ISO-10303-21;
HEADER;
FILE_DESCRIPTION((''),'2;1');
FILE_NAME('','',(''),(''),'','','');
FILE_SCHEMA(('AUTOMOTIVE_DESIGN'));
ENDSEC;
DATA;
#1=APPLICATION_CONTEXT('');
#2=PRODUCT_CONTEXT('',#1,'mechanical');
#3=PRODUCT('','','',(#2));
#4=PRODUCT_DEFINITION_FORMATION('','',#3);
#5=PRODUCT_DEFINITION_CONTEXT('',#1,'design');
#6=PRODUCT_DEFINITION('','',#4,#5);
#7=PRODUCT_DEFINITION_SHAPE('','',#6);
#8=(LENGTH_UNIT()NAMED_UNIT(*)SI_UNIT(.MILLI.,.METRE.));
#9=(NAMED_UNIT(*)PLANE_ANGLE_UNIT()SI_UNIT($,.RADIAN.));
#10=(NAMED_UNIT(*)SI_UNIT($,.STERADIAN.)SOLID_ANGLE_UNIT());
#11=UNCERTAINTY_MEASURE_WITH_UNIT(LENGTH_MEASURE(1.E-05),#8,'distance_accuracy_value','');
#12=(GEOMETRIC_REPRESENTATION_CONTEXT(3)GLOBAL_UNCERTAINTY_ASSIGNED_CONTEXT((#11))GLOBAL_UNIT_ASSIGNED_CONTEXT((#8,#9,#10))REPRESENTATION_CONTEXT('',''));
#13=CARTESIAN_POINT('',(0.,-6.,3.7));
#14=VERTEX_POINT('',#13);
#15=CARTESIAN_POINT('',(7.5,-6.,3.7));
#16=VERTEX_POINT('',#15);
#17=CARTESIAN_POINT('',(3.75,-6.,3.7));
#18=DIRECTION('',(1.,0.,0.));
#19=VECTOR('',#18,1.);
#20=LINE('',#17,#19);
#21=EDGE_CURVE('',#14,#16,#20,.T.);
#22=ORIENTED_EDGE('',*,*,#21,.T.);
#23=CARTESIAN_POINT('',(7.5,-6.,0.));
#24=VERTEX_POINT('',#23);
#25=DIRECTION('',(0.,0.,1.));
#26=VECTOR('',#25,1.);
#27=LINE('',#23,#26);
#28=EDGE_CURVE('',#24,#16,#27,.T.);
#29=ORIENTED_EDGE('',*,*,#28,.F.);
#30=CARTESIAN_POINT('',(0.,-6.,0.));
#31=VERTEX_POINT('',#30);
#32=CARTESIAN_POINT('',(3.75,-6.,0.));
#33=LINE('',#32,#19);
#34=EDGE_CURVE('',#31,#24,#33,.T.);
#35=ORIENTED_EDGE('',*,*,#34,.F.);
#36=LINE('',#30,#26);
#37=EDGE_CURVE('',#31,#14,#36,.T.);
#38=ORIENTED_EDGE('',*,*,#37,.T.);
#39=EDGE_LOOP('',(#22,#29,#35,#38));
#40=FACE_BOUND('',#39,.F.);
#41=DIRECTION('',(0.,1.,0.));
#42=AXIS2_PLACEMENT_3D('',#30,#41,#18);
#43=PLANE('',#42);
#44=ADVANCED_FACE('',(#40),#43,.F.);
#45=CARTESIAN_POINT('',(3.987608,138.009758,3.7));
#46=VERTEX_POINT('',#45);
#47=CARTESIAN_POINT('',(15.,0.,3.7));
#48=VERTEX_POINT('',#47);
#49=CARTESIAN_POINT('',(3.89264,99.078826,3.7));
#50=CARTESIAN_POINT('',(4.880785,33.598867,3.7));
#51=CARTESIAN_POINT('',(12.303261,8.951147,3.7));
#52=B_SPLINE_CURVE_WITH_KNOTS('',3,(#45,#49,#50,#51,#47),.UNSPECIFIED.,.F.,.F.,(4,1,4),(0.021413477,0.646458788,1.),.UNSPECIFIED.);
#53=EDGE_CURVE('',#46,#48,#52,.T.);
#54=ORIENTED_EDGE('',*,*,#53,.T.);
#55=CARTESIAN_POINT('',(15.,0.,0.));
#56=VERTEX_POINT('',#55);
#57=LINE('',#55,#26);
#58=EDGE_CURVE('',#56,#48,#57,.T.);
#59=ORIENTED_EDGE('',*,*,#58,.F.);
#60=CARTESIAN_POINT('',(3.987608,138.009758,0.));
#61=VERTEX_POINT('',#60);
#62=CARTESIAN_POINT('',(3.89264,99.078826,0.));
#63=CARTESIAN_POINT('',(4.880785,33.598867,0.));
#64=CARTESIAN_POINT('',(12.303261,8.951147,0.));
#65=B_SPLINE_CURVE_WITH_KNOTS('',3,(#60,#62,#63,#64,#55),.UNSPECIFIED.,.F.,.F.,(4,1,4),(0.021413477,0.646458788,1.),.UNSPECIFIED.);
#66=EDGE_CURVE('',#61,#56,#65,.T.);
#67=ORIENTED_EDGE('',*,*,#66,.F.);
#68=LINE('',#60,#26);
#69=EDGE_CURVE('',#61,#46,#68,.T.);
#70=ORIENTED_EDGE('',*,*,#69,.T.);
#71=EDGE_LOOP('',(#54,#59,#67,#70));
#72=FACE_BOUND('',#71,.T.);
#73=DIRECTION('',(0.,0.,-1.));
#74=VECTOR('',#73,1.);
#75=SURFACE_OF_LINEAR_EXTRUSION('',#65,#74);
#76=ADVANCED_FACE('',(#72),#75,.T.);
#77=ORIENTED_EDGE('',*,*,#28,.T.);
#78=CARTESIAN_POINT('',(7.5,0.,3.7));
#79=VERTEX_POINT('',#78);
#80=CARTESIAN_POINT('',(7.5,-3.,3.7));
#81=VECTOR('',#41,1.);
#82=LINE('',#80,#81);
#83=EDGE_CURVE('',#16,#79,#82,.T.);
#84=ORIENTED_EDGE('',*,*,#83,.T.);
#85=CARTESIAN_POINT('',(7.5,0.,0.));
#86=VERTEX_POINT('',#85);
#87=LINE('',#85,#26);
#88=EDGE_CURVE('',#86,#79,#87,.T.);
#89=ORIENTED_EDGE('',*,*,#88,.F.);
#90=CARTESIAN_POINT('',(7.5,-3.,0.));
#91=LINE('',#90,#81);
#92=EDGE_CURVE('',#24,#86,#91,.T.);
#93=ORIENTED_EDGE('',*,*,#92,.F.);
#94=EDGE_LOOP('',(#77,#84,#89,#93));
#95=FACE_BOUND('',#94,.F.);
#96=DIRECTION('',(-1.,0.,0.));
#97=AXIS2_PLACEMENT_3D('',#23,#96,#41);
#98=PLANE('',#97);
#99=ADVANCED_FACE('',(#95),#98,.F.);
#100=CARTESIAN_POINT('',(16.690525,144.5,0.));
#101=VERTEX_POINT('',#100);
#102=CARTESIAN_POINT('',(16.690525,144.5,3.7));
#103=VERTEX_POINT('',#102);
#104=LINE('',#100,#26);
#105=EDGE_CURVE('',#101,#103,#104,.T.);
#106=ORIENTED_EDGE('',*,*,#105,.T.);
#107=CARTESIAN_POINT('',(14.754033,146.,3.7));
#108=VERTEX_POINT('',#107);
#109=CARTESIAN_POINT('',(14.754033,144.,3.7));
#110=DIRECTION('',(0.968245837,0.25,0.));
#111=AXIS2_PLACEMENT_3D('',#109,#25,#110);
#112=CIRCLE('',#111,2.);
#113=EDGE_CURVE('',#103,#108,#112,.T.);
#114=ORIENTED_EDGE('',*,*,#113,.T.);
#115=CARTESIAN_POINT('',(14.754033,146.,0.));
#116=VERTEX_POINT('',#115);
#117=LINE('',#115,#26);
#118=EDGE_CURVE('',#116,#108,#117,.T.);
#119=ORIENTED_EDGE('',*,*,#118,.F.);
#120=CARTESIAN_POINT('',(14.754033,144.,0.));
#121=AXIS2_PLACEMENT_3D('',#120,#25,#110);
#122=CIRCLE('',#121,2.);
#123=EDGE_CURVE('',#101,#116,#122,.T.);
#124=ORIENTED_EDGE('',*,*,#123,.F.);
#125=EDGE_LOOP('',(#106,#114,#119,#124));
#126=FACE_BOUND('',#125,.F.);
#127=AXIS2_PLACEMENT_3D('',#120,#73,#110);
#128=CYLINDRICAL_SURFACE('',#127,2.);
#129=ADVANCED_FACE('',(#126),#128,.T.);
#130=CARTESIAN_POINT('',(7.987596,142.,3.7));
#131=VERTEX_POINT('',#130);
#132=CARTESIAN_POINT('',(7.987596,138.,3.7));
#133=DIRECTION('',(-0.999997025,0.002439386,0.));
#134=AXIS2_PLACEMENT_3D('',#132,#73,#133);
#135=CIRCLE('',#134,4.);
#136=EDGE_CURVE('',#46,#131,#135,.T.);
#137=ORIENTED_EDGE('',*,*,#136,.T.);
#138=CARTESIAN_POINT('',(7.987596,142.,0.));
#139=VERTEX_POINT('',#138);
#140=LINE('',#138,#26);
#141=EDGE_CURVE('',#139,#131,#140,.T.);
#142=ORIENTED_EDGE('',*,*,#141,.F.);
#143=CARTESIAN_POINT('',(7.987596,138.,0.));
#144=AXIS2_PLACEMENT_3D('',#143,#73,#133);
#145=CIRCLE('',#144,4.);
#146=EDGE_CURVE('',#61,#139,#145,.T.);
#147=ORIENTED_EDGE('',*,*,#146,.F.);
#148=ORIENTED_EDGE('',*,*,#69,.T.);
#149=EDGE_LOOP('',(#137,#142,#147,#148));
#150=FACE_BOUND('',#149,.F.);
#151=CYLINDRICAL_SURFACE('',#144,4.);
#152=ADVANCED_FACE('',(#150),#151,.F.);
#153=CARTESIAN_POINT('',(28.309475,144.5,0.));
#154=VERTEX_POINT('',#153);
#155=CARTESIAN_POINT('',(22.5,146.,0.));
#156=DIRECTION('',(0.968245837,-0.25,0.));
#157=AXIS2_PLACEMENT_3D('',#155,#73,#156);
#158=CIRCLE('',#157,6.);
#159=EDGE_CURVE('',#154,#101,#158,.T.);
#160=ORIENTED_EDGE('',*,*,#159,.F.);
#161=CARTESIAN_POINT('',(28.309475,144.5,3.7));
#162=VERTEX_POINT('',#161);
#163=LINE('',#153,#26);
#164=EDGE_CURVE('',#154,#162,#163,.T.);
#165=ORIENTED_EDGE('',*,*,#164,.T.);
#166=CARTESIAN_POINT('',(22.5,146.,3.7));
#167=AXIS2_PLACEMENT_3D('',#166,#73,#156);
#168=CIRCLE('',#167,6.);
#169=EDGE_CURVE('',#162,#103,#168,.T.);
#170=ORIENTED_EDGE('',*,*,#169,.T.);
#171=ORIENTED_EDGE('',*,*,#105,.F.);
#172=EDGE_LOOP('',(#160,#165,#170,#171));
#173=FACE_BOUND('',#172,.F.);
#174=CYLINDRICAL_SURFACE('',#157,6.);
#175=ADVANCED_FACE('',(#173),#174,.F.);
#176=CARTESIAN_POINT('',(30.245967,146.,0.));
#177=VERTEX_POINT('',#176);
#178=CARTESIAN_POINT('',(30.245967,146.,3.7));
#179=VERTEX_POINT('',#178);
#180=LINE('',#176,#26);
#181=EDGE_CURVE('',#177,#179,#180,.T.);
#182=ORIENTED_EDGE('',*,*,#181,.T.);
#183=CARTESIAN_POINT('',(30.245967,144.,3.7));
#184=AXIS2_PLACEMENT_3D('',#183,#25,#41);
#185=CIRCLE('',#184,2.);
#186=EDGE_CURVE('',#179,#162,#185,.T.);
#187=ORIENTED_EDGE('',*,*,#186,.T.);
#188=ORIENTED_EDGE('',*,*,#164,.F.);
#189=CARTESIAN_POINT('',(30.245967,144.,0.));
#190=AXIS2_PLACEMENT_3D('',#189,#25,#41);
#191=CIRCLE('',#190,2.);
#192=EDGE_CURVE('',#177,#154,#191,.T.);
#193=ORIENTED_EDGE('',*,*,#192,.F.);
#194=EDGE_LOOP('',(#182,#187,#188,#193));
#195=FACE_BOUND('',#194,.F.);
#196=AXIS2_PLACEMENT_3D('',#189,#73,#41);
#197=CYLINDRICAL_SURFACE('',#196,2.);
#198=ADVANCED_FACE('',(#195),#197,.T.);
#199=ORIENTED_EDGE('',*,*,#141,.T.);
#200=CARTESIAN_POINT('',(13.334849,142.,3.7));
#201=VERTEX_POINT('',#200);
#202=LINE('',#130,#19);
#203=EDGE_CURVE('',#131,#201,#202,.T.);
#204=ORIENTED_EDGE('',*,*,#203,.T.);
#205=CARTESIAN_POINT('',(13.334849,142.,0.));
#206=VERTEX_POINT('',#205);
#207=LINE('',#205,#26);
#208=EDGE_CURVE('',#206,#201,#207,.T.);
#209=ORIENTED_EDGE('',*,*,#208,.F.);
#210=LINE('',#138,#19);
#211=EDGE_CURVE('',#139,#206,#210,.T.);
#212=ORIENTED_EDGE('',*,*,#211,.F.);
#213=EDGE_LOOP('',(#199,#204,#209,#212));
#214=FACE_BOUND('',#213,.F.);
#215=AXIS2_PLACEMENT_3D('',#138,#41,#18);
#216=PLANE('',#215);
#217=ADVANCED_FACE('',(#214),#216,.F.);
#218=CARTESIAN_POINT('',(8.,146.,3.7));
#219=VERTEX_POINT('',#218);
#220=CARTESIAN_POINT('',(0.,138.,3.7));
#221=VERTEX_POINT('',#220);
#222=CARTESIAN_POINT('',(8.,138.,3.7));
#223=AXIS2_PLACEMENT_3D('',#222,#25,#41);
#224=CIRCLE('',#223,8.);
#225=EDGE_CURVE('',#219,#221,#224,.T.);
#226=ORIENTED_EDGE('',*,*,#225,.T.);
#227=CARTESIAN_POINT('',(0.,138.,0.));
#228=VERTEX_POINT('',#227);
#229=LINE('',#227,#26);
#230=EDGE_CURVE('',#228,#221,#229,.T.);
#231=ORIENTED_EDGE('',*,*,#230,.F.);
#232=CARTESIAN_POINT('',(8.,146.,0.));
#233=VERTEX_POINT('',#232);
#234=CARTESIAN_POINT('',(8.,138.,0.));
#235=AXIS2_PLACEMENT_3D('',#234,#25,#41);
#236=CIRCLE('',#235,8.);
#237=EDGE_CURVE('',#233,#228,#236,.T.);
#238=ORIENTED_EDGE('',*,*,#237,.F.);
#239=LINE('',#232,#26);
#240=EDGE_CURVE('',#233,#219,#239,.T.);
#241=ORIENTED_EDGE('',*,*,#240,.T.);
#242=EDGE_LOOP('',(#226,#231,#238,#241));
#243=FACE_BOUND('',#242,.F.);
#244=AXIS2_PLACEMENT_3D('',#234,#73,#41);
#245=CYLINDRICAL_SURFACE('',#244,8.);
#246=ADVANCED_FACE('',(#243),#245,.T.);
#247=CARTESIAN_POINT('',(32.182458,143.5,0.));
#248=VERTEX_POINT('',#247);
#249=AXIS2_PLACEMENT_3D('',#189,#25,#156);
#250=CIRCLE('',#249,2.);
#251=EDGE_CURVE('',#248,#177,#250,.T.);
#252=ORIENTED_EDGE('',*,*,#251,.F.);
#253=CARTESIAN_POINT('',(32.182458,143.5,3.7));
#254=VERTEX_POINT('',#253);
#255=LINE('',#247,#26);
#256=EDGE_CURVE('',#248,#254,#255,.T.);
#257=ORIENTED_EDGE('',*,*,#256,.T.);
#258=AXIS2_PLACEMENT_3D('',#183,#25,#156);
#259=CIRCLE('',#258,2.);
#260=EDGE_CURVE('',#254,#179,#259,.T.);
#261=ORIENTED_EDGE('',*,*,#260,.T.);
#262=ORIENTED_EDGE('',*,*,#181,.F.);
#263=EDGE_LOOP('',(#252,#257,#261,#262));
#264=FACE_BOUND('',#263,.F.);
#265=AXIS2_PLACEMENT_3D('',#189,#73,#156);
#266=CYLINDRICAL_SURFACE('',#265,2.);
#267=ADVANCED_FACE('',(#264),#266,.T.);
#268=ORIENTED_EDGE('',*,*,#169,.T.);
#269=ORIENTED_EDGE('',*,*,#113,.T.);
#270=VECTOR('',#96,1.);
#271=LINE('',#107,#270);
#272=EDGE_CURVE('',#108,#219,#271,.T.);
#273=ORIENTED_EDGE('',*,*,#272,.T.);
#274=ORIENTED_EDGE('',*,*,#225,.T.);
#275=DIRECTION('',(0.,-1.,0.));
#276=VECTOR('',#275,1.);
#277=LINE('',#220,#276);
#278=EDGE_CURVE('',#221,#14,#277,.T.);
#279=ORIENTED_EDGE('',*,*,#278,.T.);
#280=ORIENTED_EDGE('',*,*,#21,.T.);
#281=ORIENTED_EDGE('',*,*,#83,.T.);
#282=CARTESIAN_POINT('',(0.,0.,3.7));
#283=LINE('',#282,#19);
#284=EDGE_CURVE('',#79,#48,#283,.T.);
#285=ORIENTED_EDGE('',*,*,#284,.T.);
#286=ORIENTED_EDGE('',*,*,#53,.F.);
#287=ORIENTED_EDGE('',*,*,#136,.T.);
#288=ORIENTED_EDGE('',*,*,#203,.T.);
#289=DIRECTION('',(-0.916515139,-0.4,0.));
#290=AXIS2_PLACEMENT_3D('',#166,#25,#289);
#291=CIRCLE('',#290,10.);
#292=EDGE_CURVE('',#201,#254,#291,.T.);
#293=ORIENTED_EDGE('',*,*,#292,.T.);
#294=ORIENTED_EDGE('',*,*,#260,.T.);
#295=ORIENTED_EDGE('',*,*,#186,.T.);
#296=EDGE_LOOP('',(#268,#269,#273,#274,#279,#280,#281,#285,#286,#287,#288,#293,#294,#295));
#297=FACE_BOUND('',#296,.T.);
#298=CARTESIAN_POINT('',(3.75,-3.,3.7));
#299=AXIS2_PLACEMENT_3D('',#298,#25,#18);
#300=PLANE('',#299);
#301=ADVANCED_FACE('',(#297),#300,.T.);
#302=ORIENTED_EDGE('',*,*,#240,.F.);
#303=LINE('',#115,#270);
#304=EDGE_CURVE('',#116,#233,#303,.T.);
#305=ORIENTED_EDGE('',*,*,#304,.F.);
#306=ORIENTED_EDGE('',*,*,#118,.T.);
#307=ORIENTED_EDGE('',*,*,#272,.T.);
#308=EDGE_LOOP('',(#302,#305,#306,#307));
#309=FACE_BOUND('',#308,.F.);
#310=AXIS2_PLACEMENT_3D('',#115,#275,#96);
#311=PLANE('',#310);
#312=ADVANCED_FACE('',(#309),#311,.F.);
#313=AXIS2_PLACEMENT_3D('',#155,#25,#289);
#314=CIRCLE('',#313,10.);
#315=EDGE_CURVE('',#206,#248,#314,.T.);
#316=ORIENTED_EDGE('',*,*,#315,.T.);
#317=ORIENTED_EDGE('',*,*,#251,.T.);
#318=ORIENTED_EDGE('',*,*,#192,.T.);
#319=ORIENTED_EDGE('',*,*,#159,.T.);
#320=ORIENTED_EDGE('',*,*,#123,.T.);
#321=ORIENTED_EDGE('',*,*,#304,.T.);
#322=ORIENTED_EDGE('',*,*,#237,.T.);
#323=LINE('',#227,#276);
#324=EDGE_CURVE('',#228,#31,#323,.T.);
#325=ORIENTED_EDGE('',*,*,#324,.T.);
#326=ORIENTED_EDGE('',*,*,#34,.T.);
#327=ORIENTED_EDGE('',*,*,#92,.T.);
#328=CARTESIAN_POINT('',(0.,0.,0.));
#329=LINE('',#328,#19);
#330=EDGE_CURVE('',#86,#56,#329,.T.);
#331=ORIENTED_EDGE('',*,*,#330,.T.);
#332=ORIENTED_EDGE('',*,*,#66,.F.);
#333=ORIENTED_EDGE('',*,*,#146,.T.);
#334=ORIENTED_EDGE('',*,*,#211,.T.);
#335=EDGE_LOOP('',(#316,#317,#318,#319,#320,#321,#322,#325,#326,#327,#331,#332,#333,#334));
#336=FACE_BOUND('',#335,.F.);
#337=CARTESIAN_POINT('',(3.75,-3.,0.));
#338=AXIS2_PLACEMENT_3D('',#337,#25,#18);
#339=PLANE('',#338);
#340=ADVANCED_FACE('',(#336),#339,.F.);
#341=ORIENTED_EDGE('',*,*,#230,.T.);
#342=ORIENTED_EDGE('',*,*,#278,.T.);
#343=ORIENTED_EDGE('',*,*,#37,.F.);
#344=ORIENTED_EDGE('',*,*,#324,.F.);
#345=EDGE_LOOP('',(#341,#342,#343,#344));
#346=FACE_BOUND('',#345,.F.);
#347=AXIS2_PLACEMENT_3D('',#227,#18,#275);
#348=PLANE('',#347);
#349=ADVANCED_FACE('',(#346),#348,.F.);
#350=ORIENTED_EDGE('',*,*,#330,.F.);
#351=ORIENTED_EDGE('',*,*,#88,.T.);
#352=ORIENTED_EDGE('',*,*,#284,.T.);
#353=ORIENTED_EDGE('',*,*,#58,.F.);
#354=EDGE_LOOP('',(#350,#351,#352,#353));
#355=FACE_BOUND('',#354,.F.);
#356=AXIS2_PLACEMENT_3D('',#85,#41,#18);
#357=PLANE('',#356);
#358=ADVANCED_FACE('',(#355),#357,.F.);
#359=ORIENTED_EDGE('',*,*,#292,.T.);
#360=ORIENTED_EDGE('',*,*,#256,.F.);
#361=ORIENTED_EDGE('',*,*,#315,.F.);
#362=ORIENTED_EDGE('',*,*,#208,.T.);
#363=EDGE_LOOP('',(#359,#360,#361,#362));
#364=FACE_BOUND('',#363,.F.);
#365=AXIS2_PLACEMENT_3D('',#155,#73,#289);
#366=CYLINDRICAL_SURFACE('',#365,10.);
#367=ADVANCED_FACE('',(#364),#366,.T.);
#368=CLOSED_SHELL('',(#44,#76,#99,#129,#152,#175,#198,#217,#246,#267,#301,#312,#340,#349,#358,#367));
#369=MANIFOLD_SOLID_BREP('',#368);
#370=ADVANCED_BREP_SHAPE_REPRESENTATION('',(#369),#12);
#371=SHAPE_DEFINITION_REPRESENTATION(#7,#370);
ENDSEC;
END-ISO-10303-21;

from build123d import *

# Parameters (mm, degrees)
F0_W     = 7.5
F0_H     = 6
F1_DEPTH = 3.7


with BuildPart() as f1:
    # F0 (on Top) → F1 (new body)
    with BuildSketch(Plane.XY):
        with Locations((3.75, -3)):
            Rectangle(F0_W, F0_H)
        with BuildLine():
            Line((0, 138), (0, 0))
            Line((0, 0), (7.5, 0))
            Line((7.5, 0), (15, 0))
            add(Edge.make_bspline(
                [(3.9876077292, 138.0097575426), (3.8926398917, 99.0788263893), (4.8807847455, 33.5988670656), (12.3032608179, 8.9511466575), (15, 0)],
                knots=[0.0214134769, 0.0214134769, 0.0214134769, 0.0214134769, 0.6464587877, 1, 1, 1, 1], degree=3))
            ThreePointArc((3.9876077292, 138.0097575426), (5.162620622, 140.8318748357), (7.987595828, 142))
            Line((7.987595828, 142), (13.3348486101, 142))
            ThreePointArc((13.3348486101, 142), (23.2933483641, 136.0315197561), (32.1824583655, 143.5))
            ThreePointArc((32.1824583655, 143.5), (31.8271055225, 145.2247448714), (30.2459666924, 146))
            ThreePointArc((30.2459666924, 146), (29.021221821, 145.5811388301), (28.3094750193, 144.5))
            ThreePointArc((28.3094750193, 144.5), (22.5, 140), (16.6905249807, 144.5))
            ThreePointArc((16.6905249807, 144.5), (15.978778179, 145.5811388301), (14.7540333076, 146))
            Line((14.7540333076, 146), (8, 146))
            ThreePointArc((8, 146), (2.3431457505, 143.6568542495), (0, 138))
        make_face()
    extrude(amount=F1_DEPTH)


solid = f1.part
